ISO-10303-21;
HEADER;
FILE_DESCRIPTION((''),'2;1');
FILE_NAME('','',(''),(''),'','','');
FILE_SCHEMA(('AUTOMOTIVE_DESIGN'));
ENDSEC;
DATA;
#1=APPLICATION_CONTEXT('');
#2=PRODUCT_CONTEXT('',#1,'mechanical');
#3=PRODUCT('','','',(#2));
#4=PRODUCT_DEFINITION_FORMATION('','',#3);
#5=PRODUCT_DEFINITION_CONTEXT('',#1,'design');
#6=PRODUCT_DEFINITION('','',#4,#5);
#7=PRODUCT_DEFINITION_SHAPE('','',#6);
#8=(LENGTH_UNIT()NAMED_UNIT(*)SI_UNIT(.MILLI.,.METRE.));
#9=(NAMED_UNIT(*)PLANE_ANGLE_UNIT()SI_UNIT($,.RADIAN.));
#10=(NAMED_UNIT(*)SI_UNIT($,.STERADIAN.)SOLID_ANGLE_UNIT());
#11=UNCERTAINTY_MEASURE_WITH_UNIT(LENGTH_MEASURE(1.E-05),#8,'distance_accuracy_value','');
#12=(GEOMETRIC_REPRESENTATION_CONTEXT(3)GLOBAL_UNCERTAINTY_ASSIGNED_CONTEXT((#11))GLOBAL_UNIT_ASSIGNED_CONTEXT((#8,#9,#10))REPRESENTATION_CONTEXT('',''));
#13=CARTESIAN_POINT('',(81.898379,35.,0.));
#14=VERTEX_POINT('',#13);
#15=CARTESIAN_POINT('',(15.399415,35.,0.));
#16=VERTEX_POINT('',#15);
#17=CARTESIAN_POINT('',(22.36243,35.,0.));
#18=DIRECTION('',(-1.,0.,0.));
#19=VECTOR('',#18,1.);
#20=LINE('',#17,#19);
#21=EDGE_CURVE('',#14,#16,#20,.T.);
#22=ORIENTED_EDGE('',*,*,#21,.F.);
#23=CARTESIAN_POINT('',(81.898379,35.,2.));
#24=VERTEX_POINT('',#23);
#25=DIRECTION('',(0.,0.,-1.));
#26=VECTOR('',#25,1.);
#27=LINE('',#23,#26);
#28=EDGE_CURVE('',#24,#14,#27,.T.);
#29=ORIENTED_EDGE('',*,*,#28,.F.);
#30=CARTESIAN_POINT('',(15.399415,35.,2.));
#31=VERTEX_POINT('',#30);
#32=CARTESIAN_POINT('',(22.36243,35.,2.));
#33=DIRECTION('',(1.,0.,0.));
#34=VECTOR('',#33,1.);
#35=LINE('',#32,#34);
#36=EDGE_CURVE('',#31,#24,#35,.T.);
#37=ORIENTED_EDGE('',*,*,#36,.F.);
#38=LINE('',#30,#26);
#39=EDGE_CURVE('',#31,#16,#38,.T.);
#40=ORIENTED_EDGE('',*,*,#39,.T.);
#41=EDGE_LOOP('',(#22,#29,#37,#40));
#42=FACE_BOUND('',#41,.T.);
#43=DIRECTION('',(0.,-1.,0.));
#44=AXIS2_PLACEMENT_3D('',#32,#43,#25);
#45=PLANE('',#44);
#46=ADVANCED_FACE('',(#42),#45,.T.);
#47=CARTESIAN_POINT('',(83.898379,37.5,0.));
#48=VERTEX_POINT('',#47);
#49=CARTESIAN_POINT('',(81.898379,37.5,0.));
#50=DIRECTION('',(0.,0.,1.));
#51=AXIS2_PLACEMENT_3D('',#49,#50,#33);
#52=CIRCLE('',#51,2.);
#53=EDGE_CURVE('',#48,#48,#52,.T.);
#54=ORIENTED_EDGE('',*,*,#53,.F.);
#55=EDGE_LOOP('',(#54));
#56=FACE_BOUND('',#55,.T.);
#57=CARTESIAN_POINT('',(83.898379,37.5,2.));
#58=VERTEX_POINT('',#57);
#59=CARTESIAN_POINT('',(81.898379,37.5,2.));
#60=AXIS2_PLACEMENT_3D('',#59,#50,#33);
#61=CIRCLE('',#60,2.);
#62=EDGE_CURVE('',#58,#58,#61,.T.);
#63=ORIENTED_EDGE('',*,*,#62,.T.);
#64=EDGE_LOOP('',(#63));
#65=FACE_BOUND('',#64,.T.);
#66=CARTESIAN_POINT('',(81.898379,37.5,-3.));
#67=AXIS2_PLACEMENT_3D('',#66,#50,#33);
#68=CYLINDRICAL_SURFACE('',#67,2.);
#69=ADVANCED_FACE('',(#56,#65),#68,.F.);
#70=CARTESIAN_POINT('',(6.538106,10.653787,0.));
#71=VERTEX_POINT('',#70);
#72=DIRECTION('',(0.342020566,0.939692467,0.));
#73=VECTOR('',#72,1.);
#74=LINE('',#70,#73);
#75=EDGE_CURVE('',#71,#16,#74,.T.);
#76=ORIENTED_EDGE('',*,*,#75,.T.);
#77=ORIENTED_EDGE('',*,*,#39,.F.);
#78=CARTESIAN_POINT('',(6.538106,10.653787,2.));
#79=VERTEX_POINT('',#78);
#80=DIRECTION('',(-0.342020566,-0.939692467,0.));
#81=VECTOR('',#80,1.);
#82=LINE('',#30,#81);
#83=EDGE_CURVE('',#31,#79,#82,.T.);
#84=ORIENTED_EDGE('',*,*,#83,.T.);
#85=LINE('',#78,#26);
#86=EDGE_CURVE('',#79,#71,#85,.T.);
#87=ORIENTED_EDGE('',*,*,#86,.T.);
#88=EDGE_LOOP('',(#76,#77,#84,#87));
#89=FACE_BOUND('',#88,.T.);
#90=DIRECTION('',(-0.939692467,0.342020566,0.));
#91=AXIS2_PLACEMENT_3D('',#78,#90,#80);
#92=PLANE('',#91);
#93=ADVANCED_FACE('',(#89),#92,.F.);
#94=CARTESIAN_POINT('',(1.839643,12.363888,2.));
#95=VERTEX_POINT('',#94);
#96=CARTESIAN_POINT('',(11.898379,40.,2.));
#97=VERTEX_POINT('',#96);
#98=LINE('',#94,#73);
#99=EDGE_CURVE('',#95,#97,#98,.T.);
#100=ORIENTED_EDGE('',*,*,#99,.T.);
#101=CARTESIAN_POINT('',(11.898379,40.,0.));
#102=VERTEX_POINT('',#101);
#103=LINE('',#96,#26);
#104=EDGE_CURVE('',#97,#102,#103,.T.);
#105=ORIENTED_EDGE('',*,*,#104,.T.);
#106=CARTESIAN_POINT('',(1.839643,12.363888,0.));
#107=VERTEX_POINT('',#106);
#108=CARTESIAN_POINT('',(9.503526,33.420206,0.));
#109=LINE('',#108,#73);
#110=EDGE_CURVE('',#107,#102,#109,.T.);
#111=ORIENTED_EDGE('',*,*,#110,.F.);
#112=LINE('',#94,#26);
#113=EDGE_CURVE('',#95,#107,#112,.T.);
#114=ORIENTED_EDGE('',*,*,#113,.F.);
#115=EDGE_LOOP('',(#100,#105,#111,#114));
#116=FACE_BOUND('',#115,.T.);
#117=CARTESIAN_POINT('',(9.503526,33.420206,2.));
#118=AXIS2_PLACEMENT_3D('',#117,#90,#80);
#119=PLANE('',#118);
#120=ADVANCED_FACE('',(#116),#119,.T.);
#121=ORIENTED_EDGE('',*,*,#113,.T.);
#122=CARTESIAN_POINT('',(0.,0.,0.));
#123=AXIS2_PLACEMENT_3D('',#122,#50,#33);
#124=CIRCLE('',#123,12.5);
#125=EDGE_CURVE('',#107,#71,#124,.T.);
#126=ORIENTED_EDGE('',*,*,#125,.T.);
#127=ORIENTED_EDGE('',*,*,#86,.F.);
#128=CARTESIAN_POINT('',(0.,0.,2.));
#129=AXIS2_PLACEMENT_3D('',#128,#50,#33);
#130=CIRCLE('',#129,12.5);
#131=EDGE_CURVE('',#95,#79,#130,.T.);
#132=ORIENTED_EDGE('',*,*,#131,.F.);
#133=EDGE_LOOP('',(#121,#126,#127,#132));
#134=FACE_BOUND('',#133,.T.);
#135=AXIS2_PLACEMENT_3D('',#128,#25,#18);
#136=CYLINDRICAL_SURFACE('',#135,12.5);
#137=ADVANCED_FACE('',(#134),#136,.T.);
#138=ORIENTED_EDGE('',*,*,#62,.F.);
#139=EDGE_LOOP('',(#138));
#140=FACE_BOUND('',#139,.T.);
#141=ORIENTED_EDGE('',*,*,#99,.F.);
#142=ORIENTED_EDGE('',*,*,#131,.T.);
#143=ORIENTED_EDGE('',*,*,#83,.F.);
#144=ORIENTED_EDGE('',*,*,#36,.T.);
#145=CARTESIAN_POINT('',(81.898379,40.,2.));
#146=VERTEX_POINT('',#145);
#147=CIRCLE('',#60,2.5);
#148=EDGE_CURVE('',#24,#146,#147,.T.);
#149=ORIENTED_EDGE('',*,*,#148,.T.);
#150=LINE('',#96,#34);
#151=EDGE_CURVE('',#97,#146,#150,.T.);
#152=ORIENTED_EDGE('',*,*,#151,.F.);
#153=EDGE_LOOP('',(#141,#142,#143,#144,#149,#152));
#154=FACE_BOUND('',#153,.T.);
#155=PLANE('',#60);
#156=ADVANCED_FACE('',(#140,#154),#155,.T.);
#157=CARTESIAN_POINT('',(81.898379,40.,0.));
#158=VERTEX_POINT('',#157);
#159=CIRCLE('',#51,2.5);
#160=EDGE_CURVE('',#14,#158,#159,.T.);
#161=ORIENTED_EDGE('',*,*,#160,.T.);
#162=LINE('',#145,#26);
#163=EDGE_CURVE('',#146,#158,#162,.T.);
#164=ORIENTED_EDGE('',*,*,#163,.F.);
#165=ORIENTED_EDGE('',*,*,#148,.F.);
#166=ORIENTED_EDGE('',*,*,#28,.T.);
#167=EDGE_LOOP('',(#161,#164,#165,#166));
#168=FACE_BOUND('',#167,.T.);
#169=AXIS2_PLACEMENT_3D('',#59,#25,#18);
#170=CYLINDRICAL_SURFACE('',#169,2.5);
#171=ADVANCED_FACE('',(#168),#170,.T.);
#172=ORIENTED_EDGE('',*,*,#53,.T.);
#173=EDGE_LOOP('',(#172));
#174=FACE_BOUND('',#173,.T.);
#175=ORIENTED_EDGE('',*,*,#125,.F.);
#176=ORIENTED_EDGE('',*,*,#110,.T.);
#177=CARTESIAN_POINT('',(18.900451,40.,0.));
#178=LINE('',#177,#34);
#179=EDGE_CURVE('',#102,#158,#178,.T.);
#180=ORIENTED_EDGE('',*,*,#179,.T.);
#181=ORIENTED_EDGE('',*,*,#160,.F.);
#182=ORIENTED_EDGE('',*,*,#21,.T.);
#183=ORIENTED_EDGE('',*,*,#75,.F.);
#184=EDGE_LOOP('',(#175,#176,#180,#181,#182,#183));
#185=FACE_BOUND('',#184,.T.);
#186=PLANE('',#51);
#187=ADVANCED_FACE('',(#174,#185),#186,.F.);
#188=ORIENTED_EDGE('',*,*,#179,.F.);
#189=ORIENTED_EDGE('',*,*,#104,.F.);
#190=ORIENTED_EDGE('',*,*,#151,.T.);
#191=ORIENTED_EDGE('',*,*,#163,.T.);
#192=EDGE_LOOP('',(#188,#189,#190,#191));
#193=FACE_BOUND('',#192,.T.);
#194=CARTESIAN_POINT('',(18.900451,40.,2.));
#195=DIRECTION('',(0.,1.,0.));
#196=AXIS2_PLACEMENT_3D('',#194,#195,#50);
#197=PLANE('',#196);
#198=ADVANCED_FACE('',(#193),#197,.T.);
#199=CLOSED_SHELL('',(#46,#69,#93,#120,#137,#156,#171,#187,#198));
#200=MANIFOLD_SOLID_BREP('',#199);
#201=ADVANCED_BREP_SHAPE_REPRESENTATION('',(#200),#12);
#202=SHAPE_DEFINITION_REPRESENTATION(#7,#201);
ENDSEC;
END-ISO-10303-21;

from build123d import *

# Parameters (mm, degrees)
BOSS_EXTRUDE1_DEPTH = 2
SKETCH4_R           = 2
CUT_EXTRUDE1_DEPTH  = 5


with BuildPart() as part:
    # Sketch1 → Boss-Extrude1 (new body)
    with BuildSketch(Plane.XY):
        with BuildLine():
            Line((9.503526384, 33.420205662), (11.898379024, 40))
            Line((11.898379024, 40), (18.900451053, 40))
            Line((18.900451053, 40), (81.898379024, 40))
            ThreePointArc((81.898379024, 40), (84.398379024, 37.5), (81.898379024, 35))
            Line((81.898379024, 35), (22.362429948, 35))
            Line((22.362429948, 35), (15.399415038, 35))
            Line((15.399415038, 35), (13.292753309, 29.212002571))
            Line((13.292753309, 29.212002571), (6.538105716, 10.653786822))
            ThreePointArc((6.538105716, 10.653786822), (-4.275251792, -11.74615776), (1.839642613, 12.363887538))
            Line((1.839642613, 12.363887538), (9.503526384, 33.420205662))
        make_face()
    extrude(amount=BOSS_EXTRUDE1_DEPTH)

    # Sketch4 → Cut-Extrude1 (cut)
    with BuildSketch(Plane.XY.offset(2)):
        with Locations((81.898379024, 37.5)):
            Circle(SKETCH4_R)
    extrude(amount=-CUT_EXTRUDE1_DEPTH, mode=Mode.SUBTRACT)


solid = part.part
